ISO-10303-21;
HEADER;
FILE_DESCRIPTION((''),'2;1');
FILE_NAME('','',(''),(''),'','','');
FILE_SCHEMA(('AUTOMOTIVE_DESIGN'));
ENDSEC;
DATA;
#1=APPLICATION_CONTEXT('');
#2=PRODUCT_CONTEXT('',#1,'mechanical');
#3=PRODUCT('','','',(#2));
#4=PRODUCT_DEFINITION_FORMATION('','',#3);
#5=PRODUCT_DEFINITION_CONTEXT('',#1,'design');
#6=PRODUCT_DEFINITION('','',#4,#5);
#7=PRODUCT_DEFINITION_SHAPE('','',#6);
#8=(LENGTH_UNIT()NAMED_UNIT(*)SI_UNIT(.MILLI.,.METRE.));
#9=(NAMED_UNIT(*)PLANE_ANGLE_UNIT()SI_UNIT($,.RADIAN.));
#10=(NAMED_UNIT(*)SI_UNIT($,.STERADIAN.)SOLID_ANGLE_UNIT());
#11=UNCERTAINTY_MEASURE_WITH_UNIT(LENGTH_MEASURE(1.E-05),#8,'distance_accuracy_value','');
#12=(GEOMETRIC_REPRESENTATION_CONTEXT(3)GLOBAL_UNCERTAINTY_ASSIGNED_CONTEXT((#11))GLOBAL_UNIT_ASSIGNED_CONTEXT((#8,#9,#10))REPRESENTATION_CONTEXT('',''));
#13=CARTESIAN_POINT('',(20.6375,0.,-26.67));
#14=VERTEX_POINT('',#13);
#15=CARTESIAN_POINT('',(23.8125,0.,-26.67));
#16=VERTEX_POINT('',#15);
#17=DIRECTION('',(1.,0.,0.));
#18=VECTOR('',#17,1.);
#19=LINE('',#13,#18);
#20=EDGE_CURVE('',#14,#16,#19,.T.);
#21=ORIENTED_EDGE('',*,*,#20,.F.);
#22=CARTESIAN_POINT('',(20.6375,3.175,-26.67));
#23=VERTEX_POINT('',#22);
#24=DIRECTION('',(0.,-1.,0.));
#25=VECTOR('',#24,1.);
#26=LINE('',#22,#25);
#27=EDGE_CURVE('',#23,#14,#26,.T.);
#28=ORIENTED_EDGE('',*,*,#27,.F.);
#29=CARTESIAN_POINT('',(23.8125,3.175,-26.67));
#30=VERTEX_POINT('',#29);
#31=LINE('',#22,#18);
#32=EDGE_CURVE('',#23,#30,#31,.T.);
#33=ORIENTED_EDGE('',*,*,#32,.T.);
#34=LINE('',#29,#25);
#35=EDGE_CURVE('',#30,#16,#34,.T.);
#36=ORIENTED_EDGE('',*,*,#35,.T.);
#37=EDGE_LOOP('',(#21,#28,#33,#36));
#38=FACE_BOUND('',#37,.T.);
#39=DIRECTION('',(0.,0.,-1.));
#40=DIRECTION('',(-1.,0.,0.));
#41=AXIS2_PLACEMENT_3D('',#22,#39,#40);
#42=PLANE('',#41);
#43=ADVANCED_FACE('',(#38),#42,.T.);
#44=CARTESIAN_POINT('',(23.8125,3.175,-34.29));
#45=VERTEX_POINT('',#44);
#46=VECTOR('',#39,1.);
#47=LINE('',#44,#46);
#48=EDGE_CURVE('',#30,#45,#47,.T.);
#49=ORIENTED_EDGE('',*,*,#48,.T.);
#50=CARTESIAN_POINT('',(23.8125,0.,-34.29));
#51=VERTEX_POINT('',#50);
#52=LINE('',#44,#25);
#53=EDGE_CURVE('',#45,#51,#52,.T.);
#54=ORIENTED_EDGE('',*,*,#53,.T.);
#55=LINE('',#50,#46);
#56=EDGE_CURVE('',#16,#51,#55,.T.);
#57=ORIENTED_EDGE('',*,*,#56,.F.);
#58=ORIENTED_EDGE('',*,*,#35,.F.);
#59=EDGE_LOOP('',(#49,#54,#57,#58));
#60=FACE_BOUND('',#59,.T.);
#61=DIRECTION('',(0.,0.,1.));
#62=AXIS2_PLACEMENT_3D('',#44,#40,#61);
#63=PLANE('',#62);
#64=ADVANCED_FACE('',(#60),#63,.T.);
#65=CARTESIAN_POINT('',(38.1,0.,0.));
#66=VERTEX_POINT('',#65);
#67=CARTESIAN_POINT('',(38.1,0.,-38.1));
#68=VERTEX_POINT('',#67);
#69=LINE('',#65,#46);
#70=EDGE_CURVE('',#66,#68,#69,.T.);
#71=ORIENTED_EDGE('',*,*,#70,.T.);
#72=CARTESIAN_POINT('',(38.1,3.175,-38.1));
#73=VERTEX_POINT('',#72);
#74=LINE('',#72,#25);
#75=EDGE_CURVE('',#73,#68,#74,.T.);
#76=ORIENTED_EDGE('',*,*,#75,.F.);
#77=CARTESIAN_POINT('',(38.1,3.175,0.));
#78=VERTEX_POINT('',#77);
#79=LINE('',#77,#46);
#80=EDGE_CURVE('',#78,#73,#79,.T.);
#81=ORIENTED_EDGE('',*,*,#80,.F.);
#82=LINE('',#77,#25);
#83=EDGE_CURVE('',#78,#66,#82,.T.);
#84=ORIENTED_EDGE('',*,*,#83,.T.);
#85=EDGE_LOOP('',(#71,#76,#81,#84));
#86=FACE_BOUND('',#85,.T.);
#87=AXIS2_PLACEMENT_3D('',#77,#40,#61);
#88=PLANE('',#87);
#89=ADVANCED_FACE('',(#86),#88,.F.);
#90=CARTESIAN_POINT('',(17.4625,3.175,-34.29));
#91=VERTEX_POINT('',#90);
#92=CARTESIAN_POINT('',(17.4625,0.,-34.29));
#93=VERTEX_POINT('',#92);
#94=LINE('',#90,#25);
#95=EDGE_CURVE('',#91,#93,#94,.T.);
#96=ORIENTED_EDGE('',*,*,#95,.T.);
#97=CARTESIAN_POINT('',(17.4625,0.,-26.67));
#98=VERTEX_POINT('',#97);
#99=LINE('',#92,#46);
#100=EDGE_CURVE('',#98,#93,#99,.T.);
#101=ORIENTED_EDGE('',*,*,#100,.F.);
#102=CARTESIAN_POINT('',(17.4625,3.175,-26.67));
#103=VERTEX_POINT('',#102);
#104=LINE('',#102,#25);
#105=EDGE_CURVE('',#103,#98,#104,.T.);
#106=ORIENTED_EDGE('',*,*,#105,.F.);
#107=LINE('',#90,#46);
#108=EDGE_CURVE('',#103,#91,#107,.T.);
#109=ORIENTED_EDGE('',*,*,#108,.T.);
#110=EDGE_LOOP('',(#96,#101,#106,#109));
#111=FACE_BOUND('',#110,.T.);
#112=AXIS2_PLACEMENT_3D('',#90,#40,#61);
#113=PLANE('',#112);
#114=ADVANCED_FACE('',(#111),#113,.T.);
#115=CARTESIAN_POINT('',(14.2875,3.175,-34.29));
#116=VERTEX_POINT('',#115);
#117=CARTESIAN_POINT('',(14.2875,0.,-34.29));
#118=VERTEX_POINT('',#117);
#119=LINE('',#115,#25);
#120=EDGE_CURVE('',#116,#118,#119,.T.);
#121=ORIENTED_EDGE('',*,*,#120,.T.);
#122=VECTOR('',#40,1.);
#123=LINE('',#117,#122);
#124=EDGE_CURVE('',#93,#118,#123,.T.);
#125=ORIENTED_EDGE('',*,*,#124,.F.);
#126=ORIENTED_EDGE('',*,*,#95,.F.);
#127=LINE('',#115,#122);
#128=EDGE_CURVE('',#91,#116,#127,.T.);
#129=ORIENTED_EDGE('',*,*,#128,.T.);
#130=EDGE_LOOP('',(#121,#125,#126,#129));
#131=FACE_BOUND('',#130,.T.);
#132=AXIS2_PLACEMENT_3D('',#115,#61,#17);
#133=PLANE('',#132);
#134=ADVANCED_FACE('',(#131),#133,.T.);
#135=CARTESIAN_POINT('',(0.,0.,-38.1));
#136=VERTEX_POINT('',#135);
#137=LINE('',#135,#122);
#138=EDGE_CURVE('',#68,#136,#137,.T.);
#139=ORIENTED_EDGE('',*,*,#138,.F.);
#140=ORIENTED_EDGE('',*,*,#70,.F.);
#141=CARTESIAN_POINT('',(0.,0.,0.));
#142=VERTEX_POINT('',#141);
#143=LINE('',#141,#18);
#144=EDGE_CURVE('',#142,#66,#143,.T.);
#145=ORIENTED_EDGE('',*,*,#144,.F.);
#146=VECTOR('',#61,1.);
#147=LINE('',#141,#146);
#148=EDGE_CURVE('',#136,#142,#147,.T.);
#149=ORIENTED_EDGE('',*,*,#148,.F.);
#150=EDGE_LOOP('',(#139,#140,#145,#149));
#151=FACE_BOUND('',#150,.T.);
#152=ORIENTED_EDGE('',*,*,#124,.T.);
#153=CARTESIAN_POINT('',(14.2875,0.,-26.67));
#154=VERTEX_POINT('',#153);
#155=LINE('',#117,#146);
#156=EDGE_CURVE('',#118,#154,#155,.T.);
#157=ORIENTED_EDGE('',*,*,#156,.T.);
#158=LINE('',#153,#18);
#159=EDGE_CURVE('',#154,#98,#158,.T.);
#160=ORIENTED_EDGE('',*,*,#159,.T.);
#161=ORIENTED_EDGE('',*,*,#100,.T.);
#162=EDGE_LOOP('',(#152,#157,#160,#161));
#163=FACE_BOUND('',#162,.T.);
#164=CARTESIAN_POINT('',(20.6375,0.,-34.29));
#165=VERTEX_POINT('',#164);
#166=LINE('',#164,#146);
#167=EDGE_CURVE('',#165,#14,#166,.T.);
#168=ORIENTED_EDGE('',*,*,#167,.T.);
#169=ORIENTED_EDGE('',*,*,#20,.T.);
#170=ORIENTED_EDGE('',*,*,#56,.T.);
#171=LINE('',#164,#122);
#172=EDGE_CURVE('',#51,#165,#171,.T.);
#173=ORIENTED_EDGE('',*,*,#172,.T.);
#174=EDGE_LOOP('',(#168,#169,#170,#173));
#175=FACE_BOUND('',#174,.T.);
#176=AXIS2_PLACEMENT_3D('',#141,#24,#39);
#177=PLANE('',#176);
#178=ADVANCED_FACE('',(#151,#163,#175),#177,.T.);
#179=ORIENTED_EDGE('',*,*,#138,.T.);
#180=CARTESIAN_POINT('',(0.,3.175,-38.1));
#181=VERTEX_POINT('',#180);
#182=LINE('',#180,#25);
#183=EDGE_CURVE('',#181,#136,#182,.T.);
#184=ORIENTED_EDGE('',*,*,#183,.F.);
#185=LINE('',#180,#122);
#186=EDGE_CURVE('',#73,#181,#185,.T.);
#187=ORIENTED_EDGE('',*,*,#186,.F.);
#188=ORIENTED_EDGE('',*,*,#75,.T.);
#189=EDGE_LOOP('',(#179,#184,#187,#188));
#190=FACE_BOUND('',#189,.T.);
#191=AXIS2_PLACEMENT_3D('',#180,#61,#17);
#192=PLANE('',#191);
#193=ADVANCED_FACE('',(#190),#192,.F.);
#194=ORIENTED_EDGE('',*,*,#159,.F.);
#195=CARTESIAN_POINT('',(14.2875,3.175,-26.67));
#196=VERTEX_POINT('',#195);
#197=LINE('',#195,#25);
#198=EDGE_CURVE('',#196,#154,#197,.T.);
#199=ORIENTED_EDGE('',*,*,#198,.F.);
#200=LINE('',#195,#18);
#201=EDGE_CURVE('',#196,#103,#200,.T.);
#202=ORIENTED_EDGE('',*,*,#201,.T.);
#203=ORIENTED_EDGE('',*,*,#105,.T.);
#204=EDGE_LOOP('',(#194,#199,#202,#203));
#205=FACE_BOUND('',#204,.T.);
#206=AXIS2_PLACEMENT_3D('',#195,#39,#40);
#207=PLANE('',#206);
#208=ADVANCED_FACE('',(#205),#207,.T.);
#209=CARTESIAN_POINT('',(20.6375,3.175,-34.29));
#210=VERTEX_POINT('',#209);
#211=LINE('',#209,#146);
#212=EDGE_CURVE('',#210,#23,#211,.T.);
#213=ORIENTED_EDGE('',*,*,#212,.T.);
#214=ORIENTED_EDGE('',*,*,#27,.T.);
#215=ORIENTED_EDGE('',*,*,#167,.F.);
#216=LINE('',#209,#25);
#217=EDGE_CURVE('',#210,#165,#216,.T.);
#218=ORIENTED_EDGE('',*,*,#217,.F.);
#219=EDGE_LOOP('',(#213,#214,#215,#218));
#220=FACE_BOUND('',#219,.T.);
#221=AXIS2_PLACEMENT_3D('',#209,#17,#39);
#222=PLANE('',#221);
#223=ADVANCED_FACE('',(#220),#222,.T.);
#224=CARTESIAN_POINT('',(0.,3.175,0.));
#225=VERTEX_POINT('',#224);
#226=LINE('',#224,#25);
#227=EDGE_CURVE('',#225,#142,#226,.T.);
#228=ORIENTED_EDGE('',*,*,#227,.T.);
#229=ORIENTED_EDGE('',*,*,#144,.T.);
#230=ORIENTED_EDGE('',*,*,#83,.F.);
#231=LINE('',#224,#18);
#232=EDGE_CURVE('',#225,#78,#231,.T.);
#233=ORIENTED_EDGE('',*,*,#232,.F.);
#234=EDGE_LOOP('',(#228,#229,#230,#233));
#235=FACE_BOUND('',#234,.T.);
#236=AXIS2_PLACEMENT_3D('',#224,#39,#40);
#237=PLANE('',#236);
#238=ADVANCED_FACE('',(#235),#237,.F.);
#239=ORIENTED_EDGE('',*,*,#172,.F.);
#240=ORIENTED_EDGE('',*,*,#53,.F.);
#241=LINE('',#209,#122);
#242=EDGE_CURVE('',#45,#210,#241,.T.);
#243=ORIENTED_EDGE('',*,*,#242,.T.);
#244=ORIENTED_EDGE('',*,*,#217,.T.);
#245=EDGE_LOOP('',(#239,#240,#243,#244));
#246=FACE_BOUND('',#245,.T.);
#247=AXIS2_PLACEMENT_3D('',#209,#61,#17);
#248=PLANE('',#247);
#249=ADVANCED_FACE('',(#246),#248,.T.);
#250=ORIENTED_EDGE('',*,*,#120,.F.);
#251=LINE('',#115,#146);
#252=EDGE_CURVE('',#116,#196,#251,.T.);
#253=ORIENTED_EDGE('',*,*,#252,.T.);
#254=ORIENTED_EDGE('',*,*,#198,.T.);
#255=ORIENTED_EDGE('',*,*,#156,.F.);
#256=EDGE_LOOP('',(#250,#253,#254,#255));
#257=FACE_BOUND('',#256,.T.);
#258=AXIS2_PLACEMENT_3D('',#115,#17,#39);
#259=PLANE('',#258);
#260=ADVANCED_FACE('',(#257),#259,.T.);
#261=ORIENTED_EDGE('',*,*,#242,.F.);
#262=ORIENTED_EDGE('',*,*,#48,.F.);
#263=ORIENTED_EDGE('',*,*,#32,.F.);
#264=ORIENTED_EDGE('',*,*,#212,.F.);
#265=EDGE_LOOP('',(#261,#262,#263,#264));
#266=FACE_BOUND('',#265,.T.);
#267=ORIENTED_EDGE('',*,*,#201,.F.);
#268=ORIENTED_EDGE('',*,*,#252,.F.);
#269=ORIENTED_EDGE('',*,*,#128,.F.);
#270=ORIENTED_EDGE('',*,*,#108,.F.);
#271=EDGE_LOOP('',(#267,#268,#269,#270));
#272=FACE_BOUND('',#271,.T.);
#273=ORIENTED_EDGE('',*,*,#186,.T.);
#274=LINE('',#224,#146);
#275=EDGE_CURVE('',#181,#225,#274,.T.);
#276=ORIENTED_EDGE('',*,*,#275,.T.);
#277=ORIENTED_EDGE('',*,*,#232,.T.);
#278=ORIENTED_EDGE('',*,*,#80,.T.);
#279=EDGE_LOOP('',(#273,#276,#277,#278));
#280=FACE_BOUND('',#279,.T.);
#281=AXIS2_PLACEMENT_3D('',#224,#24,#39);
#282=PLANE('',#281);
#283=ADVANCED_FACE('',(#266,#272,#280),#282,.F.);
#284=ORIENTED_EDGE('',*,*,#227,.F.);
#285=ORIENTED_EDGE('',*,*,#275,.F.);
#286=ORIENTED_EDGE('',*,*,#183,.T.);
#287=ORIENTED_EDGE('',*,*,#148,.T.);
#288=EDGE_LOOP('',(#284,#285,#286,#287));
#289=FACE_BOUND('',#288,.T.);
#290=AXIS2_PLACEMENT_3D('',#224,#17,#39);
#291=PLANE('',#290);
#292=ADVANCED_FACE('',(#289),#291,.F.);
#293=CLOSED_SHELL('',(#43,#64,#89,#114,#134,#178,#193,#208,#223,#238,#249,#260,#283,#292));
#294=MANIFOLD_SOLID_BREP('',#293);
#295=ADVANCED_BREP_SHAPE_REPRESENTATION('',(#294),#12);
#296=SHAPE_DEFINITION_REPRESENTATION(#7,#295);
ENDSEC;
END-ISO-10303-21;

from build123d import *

# Parameters (mm, degrees)
SKETCH1_W           = 38.1
SKETCH1_H           = 38.1
SKETCH1_W_2         = 3.175
SKETCH1_H_2         = 7.62
BOSS_EXTRUDE1_DEPTH = 3.175


with BuildPart() as part:
    # Sketch1 → Boss-Extrude1 (new body)
    with BuildSketch(Plane(origin=(0, 0, 0), x_dir=(1, 0, 0), z_dir=(0, 1, 0))):
        with Locations((19.05, 19.05)):
            Rectangle(SKETCH1_W, SKETCH1_H)
        with Locations((15.875, 30.48)):
            Rectangle(SKETCH1_W_2, SKETCH1_H_2, mode=Mode.SUBTRACT)
        with Locations((22.225, 30.48)):
            Rectangle(SKETCH1_W_2, SKETCH1_H_2, mode=Mode.SUBTRACT)
    extrude(amount=BOSS_EXTRUDE1_DEPTH)


solid = part.part
